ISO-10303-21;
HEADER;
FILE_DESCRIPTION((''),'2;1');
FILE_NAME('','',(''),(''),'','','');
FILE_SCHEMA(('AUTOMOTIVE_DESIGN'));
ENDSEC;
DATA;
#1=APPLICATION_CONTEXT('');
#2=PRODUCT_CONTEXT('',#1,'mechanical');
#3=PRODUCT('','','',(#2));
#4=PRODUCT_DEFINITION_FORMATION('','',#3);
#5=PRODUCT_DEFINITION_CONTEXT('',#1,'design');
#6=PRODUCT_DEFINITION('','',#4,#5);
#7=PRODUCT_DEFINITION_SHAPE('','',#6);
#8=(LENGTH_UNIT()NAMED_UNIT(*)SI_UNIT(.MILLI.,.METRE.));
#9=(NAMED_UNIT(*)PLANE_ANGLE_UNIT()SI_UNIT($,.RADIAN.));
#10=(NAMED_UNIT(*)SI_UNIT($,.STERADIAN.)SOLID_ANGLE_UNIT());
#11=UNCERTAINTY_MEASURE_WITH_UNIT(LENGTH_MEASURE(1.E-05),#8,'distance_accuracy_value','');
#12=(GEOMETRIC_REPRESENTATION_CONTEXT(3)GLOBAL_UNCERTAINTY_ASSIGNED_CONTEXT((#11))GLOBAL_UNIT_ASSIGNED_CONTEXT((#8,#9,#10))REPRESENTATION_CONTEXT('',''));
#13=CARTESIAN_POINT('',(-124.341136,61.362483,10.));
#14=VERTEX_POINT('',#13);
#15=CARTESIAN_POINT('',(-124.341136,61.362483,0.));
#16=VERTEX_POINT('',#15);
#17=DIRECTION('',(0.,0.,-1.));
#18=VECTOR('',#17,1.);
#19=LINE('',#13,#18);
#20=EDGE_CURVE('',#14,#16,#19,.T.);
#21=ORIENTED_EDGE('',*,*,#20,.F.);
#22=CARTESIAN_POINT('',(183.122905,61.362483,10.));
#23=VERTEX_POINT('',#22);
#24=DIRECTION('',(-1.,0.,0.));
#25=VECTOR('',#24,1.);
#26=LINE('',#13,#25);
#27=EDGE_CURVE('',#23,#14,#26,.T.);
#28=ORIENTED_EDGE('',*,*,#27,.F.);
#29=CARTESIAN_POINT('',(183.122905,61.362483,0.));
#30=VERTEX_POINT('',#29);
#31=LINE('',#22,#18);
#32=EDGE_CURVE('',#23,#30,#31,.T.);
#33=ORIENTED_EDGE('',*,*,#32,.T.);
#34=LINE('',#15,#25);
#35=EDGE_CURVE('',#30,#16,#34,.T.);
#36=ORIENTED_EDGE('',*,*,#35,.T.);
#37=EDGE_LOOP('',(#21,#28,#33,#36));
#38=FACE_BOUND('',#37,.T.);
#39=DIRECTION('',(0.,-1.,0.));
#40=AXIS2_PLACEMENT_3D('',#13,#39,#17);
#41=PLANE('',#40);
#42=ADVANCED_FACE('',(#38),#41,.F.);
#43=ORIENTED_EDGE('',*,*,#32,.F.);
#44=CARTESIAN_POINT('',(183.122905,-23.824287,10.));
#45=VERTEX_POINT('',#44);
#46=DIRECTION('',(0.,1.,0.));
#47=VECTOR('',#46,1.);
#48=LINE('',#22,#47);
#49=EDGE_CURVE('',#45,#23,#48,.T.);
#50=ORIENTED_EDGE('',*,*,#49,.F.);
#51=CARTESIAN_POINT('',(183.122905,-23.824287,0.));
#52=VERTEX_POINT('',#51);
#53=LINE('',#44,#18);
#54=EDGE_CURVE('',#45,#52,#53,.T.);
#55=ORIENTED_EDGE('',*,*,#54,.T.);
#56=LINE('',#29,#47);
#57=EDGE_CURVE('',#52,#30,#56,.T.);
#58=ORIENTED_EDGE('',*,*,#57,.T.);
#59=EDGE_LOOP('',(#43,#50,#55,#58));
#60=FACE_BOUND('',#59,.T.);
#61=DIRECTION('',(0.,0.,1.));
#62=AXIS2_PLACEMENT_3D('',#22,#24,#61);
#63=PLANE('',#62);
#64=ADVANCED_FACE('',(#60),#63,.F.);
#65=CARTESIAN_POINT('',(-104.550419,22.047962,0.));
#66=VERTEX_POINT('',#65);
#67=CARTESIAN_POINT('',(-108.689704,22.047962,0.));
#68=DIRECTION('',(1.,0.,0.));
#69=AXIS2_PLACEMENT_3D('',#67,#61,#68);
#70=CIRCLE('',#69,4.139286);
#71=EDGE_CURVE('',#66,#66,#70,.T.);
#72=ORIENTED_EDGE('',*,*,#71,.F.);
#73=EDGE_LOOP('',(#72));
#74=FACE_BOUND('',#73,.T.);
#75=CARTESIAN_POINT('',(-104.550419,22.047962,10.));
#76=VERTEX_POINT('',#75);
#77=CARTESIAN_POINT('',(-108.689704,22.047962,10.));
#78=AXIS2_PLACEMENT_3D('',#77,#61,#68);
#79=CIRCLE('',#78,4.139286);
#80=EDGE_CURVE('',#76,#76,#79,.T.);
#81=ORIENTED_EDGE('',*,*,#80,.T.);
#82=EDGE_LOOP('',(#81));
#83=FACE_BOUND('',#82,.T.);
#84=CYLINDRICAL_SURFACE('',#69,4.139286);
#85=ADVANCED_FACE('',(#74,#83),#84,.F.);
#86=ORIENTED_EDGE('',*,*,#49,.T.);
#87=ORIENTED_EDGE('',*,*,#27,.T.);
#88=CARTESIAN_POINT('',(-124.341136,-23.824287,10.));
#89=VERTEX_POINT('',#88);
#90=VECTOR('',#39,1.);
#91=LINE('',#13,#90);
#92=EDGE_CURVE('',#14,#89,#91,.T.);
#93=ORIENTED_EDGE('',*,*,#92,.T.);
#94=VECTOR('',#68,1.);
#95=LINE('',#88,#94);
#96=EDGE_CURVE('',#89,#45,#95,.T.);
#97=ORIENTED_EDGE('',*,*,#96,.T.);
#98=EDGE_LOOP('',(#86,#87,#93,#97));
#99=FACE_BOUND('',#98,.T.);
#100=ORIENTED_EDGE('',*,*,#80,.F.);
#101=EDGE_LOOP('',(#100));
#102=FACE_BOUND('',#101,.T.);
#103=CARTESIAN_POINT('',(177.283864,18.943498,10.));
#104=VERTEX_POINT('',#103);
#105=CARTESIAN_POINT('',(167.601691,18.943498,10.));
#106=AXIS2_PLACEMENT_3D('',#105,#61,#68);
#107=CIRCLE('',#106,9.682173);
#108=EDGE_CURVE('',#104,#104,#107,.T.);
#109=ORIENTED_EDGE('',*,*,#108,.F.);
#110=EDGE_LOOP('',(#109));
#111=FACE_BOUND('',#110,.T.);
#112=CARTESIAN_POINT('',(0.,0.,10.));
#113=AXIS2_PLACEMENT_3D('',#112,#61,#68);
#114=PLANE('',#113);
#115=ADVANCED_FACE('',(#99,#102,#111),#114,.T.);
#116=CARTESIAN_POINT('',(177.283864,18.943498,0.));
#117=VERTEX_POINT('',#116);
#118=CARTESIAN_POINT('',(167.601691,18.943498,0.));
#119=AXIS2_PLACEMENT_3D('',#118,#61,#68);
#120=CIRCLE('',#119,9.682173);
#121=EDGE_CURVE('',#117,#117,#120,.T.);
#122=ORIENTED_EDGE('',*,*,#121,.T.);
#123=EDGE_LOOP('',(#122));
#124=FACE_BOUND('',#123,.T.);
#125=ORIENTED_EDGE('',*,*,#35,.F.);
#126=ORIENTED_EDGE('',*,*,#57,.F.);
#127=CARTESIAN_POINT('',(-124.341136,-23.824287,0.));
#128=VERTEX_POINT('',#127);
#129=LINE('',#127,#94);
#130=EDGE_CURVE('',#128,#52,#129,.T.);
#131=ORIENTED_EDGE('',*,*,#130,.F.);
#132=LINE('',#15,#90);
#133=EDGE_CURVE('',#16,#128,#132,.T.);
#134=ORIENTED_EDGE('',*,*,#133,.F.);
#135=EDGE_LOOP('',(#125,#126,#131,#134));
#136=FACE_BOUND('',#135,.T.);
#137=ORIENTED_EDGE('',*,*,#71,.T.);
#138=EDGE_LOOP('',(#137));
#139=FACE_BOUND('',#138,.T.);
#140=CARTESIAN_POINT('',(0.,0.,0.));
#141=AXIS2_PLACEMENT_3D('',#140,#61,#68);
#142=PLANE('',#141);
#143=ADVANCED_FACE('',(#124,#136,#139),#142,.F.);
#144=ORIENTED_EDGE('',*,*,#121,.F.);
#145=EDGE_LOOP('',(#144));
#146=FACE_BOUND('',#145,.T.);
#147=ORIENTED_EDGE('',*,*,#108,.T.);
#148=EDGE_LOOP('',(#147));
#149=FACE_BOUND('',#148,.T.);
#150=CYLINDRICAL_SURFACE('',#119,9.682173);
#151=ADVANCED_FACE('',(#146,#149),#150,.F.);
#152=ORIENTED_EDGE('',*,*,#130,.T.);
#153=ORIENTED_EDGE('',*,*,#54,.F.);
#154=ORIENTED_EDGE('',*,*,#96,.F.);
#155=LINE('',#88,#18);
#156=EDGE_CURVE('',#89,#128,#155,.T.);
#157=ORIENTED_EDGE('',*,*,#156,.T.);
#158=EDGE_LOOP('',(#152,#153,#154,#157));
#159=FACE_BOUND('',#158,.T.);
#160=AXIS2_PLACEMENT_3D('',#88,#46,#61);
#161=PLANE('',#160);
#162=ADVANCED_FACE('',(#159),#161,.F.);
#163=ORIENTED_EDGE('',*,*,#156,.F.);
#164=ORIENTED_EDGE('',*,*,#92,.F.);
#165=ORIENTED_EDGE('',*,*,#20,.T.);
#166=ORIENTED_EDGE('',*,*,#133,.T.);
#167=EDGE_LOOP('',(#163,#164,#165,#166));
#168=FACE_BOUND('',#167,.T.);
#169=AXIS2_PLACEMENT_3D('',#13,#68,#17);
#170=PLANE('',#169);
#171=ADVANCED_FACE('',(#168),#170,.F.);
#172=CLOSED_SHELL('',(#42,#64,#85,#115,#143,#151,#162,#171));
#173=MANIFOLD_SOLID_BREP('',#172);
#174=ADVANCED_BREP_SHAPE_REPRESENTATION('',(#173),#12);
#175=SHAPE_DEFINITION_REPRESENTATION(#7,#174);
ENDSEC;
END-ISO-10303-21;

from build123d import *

# Parameters (mm, degrees)
SKETCH1_W           = 307.464041157
SKETCH1_H           = 85.186770425
BOSS_EXTRUDE1_DEPTH = 10
SKETCH2_R           = 4.139285717
SKETCH2_R_2         = 9.682173213
CUT_EXTRUDE1_DEPTH  = 10


with BuildPart() as part:
    # Sketch1 → Boss-Extrude1 (new body)
    with BuildSketch(Plane.XY):
        with Locations((29.390884217, 18.76909814)):
            Rectangle(SKETCH1_W, SKETCH1_H)
    extrude(amount=BOSS_EXTRUDE1_DEPTH)

    # Sketch2 → Cut-Extrude1 (cut)
    with BuildSketch(Plane.XY.offset(10)):
        with Locations((-108.689704377, 22.047962032)):
            Circle(SKETCH2_R)
        with Locations((167.601690812, 18.943497555)):
            Circle(SKETCH2_R_2)
    extrude(amount=-CUT_EXTRUDE1_DEPTH, mode=Mode.SUBTRACT)


solid = part.part
